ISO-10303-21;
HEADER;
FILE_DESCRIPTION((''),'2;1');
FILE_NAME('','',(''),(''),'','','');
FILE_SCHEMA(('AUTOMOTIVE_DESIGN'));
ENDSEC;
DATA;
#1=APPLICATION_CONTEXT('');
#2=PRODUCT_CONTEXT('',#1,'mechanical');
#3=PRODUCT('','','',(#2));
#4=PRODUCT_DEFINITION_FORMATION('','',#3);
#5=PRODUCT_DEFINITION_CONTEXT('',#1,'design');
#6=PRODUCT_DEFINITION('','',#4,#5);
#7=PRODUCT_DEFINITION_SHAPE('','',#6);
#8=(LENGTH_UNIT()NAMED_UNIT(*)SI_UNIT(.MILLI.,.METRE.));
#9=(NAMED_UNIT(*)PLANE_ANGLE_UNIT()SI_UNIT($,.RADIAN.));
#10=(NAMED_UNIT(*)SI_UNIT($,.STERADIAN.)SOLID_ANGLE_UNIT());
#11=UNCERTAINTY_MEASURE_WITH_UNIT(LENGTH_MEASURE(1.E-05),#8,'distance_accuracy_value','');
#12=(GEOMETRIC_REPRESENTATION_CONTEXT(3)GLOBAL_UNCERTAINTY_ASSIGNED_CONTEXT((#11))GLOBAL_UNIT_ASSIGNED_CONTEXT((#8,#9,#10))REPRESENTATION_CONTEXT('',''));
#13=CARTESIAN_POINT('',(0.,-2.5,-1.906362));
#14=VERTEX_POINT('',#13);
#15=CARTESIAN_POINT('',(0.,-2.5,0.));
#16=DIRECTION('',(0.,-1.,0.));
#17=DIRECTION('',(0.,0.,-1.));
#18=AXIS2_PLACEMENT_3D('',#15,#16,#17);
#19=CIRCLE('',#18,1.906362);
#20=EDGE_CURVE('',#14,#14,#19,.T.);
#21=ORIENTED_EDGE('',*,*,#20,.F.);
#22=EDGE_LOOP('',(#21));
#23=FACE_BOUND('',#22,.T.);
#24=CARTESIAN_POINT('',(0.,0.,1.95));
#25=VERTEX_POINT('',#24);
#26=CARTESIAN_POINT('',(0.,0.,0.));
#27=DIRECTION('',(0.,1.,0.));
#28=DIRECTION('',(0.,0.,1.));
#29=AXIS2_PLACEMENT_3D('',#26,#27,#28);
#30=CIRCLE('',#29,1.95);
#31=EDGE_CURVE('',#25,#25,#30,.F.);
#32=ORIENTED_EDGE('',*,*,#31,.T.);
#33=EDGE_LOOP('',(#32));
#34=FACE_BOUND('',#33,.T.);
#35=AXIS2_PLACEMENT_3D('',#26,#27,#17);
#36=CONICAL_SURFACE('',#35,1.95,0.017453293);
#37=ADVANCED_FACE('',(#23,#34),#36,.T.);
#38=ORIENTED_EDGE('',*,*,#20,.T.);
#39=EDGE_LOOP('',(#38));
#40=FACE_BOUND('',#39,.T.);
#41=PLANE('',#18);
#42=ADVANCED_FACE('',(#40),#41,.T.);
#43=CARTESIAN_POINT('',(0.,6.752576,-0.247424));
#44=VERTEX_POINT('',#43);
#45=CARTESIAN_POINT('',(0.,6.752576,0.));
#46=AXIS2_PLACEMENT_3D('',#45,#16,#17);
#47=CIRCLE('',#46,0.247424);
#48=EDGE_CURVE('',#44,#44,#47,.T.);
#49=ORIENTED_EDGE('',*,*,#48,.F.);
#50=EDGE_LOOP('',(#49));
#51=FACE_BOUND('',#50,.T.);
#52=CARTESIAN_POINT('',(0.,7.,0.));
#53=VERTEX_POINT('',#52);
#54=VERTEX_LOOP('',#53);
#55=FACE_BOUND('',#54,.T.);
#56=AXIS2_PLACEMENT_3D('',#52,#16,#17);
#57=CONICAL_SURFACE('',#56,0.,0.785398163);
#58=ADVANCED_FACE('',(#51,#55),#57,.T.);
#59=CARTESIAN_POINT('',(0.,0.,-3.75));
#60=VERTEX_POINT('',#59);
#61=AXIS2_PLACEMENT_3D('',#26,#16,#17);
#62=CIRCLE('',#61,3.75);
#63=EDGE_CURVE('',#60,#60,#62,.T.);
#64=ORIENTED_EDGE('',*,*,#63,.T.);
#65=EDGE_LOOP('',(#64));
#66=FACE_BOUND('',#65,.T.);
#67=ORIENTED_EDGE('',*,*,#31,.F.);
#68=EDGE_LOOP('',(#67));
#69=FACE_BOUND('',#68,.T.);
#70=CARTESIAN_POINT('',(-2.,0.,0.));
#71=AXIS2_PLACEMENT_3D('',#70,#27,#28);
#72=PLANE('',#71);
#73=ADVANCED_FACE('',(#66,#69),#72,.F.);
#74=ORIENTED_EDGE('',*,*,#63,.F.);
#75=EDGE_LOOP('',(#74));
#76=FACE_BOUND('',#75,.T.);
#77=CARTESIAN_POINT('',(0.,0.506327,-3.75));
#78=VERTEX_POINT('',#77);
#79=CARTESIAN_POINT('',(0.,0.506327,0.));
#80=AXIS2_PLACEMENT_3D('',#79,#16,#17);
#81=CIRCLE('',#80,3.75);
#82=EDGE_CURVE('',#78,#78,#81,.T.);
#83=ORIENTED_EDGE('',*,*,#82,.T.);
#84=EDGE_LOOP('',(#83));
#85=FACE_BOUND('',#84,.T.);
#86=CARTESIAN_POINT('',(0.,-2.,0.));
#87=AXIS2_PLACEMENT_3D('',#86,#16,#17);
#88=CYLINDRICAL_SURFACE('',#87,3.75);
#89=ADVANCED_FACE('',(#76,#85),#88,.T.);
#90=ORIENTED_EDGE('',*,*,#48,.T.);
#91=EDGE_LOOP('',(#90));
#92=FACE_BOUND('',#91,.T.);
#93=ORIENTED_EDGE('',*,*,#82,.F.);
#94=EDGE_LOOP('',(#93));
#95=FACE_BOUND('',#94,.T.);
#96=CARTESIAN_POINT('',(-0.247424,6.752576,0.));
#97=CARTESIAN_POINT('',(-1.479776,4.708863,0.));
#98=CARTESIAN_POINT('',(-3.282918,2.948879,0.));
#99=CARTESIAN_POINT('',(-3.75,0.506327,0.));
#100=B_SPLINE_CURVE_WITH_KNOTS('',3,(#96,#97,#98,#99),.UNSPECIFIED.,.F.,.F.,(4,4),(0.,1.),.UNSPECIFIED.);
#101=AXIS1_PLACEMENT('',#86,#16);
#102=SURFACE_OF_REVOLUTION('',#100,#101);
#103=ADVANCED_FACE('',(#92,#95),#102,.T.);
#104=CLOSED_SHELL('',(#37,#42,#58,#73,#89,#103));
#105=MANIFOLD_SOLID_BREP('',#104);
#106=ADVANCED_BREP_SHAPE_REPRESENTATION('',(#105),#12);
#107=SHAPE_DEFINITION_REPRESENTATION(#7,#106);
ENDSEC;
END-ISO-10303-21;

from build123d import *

# Parameters (mm, degrees)
SKETCH2_R           = 2.1
CUT_EXTRUDE1_DEPTH  = 2
SKETCH4_R           = 1.95
BOSS_EXTRUDE2_DEPTH = 2.5
BOSS_EXTRUDE2_TAPER = 1


with BuildPart() as part:
    # Sketch1 → Revolve1 (revolve)
    with BuildSketch(Plane.XY, mode=Mode.PRIVATE) as revolve1_sk:
        with BuildLine():
            Line((0, -2), (-2, -2))
            Line((-2, -2), (-2, 0))
            Line((-2, 0), (-3.75, 0))
            Line((-3.75, 0), (-3.75, 0.506327417))
            add(Edge.make_bspline(
                [(-0.247423506, 6.752576494), (-1.479776467, 4.708862861), (-3.282918319, 2.94887927), (-3.75, 0.506327417)],
                knots=[0, 0, 0, 0, 1, 1, 1, 1], degree=3))
            Line((-0.247423506, 6.752576494), (0, 7))
            Line((0, 7), (0, -2))
        make_face()
    revolve(revolve1_sk.sketch.rotate(Axis((0, -2, 0), (0, 1, 0)), 270), axis=Axis((0, -2, 0), (0, 1, 0)))

    # Sketch2 → Cut-Extrude1 (cut)
    with BuildSketch(Plane.XZ.offset(2)):
        Circle(SKETCH2_R)
    extrude(amount=-CUT_EXTRUDE1_DEPTH, mode=Mode.SUBTRACT)

    # Sketch4 → Boss-Extrude2 (add)
    with BuildSketch(Plane.XZ):
        Circle(SKETCH4_R)
    extrude(amount=BOSS_EXTRUDE2_DEPTH, taper=BOSS_EXTRUDE2_TAPER)


solid = part.part
